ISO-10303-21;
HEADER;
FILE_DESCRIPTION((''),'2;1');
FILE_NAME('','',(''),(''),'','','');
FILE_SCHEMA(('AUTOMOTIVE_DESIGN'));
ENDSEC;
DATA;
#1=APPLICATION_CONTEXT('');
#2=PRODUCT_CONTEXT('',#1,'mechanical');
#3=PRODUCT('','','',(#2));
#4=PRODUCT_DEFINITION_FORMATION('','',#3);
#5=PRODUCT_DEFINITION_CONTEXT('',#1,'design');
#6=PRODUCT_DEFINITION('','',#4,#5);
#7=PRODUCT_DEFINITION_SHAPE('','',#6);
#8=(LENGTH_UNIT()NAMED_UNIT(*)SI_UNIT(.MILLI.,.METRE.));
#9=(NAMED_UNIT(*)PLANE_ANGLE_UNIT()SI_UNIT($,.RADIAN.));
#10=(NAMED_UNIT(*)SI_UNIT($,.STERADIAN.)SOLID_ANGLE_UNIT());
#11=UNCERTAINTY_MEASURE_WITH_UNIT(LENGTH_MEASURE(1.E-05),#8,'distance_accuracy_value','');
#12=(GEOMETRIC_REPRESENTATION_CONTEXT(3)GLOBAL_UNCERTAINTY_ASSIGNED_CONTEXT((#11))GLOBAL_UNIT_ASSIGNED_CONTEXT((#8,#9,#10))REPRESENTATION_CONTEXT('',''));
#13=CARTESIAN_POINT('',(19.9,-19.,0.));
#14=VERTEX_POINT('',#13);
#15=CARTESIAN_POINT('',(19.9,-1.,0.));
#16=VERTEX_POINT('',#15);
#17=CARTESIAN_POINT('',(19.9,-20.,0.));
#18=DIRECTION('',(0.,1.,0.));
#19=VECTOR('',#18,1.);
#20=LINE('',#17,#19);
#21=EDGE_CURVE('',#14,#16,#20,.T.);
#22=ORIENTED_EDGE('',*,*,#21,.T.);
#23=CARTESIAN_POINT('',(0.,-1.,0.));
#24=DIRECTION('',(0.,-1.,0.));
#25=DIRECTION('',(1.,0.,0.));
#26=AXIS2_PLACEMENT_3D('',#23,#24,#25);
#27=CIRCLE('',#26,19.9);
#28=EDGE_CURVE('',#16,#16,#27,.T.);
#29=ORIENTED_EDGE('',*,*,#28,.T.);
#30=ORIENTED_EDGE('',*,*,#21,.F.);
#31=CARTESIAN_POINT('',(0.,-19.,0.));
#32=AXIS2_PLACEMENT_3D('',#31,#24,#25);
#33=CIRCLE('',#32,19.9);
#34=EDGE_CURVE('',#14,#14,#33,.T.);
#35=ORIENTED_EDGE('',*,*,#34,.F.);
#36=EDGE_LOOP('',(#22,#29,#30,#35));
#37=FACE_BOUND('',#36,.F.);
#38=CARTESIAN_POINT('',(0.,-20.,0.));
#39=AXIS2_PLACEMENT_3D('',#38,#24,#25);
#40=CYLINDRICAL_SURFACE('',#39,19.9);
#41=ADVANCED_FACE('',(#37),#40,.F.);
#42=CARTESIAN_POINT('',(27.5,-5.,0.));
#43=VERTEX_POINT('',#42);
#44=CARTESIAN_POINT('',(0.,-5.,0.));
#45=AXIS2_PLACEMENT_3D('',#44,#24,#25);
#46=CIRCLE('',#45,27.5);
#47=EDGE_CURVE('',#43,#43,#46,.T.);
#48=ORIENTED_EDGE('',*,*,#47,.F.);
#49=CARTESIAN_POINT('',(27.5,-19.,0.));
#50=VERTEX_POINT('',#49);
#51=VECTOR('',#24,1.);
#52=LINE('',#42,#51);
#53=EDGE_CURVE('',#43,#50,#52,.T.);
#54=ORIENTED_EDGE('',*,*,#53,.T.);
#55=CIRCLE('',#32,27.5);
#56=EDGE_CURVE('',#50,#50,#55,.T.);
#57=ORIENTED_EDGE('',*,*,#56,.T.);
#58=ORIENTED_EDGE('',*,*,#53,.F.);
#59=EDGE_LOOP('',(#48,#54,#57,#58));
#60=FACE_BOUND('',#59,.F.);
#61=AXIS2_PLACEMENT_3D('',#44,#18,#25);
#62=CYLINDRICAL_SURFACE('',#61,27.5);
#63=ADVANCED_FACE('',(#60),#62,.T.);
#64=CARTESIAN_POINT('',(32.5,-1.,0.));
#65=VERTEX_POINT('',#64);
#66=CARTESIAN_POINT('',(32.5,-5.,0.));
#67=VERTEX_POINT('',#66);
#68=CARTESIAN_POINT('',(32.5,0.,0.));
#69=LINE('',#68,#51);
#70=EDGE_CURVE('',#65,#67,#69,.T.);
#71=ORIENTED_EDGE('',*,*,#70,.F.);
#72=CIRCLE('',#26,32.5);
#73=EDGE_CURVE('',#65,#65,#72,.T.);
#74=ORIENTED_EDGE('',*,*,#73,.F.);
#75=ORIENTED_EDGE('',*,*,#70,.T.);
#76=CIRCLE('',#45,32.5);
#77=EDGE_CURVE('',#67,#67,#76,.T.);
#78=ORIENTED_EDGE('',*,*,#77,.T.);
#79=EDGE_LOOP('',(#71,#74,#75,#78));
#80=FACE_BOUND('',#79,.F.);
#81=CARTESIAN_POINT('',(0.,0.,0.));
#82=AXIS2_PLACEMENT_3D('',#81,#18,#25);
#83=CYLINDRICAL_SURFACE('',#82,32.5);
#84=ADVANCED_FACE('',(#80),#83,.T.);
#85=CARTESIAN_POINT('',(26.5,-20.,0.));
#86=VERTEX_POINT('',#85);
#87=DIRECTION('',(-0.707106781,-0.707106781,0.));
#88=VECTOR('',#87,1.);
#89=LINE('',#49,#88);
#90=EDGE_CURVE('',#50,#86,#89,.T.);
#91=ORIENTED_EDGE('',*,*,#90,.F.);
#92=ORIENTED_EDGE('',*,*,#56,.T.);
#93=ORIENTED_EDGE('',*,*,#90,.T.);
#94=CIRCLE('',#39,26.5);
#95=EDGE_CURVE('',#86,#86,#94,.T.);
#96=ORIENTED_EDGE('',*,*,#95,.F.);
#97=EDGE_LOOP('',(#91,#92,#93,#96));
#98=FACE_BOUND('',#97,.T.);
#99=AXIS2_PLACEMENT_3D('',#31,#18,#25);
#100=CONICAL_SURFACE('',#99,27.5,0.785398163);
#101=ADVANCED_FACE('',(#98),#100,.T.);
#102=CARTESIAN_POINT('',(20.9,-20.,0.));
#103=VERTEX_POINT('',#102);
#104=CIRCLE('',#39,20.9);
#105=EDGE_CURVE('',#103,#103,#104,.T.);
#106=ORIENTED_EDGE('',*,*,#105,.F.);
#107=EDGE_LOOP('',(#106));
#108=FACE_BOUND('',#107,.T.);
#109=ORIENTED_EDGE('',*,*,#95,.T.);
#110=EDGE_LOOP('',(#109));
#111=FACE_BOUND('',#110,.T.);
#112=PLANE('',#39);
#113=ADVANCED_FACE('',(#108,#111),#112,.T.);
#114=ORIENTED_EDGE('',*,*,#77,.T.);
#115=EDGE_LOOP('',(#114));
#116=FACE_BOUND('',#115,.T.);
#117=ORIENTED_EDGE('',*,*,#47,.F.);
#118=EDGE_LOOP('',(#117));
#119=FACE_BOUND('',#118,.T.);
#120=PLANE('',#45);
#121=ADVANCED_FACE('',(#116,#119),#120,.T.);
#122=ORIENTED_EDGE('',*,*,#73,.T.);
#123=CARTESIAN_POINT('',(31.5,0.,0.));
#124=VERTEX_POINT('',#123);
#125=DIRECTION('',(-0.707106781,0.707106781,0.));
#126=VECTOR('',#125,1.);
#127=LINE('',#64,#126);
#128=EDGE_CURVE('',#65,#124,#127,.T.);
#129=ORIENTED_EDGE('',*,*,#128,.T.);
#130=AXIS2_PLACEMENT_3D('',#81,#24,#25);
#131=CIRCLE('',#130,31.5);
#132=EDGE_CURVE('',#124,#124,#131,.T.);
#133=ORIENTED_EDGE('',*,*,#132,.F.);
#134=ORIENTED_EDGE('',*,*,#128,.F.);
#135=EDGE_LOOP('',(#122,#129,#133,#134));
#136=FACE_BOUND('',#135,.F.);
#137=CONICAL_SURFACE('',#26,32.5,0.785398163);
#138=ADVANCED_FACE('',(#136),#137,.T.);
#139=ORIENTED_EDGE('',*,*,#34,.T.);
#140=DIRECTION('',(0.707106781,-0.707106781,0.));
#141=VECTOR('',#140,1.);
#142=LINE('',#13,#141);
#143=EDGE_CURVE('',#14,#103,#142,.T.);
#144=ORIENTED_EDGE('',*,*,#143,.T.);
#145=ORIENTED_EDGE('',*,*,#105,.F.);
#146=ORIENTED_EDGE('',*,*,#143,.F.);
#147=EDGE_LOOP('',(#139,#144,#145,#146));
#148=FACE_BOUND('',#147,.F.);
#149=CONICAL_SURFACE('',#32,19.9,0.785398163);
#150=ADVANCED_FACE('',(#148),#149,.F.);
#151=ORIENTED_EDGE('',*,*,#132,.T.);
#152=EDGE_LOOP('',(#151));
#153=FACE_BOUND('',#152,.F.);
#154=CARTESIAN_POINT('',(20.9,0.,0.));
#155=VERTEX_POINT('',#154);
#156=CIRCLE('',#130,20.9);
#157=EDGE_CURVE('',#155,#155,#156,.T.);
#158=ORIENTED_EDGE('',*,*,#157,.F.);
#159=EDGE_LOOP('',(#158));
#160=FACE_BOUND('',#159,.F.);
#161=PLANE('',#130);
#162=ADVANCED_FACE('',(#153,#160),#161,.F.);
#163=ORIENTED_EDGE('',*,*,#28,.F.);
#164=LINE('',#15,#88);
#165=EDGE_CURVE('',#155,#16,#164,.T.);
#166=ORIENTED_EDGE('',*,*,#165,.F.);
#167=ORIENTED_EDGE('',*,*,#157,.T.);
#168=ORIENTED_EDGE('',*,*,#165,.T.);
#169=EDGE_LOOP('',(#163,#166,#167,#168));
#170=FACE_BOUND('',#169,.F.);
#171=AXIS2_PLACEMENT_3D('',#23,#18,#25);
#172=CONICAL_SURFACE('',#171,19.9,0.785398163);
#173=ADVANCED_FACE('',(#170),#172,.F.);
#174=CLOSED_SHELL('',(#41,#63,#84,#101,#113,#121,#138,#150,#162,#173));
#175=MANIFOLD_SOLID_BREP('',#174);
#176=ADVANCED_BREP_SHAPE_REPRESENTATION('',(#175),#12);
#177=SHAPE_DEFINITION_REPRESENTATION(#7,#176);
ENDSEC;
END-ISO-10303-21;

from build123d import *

# Parameters (mm, degrees)
F0_R     = 32.5
F1_DEPTH = 5
F2_R     = 27.5
F3_DEPTH = 15
F4_R     = 19.9
F5_DEPTH = 25
F6_SIZE  = 1


with BuildPart() as f1:
    # F0 (on Front) → F1 (new body)
    with BuildSketch(Plane.XZ):
        Circle(F0_R)
    extrude(amount=F1_DEPTH)

    # F2 (on face) → F3 (join)
    with BuildSketch(Plane.XZ.offset(5)):
        Circle(F2_R)
    extrude(amount=F3_DEPTH)

    # F4 (on face) → F5 (cut)
    with BuildSketch(Plane.XZ.offset(20)):
        Circle(F4_R)
    extrude(amount=-F5_DEPTH, mode=Mode.SUBTRACT)

    # F6
    f6_edges = [f1.edges().sort_by_distance(p)[0] for p in [
        (-32.5, 0, 0),
        (-27.5, -20, 0),
        (-19.9, -20, 0),
        (-19.9, 0, 0),
    ]]
    chamfer(f6_edges, length=F6_SIZE)


solid = f1.part
